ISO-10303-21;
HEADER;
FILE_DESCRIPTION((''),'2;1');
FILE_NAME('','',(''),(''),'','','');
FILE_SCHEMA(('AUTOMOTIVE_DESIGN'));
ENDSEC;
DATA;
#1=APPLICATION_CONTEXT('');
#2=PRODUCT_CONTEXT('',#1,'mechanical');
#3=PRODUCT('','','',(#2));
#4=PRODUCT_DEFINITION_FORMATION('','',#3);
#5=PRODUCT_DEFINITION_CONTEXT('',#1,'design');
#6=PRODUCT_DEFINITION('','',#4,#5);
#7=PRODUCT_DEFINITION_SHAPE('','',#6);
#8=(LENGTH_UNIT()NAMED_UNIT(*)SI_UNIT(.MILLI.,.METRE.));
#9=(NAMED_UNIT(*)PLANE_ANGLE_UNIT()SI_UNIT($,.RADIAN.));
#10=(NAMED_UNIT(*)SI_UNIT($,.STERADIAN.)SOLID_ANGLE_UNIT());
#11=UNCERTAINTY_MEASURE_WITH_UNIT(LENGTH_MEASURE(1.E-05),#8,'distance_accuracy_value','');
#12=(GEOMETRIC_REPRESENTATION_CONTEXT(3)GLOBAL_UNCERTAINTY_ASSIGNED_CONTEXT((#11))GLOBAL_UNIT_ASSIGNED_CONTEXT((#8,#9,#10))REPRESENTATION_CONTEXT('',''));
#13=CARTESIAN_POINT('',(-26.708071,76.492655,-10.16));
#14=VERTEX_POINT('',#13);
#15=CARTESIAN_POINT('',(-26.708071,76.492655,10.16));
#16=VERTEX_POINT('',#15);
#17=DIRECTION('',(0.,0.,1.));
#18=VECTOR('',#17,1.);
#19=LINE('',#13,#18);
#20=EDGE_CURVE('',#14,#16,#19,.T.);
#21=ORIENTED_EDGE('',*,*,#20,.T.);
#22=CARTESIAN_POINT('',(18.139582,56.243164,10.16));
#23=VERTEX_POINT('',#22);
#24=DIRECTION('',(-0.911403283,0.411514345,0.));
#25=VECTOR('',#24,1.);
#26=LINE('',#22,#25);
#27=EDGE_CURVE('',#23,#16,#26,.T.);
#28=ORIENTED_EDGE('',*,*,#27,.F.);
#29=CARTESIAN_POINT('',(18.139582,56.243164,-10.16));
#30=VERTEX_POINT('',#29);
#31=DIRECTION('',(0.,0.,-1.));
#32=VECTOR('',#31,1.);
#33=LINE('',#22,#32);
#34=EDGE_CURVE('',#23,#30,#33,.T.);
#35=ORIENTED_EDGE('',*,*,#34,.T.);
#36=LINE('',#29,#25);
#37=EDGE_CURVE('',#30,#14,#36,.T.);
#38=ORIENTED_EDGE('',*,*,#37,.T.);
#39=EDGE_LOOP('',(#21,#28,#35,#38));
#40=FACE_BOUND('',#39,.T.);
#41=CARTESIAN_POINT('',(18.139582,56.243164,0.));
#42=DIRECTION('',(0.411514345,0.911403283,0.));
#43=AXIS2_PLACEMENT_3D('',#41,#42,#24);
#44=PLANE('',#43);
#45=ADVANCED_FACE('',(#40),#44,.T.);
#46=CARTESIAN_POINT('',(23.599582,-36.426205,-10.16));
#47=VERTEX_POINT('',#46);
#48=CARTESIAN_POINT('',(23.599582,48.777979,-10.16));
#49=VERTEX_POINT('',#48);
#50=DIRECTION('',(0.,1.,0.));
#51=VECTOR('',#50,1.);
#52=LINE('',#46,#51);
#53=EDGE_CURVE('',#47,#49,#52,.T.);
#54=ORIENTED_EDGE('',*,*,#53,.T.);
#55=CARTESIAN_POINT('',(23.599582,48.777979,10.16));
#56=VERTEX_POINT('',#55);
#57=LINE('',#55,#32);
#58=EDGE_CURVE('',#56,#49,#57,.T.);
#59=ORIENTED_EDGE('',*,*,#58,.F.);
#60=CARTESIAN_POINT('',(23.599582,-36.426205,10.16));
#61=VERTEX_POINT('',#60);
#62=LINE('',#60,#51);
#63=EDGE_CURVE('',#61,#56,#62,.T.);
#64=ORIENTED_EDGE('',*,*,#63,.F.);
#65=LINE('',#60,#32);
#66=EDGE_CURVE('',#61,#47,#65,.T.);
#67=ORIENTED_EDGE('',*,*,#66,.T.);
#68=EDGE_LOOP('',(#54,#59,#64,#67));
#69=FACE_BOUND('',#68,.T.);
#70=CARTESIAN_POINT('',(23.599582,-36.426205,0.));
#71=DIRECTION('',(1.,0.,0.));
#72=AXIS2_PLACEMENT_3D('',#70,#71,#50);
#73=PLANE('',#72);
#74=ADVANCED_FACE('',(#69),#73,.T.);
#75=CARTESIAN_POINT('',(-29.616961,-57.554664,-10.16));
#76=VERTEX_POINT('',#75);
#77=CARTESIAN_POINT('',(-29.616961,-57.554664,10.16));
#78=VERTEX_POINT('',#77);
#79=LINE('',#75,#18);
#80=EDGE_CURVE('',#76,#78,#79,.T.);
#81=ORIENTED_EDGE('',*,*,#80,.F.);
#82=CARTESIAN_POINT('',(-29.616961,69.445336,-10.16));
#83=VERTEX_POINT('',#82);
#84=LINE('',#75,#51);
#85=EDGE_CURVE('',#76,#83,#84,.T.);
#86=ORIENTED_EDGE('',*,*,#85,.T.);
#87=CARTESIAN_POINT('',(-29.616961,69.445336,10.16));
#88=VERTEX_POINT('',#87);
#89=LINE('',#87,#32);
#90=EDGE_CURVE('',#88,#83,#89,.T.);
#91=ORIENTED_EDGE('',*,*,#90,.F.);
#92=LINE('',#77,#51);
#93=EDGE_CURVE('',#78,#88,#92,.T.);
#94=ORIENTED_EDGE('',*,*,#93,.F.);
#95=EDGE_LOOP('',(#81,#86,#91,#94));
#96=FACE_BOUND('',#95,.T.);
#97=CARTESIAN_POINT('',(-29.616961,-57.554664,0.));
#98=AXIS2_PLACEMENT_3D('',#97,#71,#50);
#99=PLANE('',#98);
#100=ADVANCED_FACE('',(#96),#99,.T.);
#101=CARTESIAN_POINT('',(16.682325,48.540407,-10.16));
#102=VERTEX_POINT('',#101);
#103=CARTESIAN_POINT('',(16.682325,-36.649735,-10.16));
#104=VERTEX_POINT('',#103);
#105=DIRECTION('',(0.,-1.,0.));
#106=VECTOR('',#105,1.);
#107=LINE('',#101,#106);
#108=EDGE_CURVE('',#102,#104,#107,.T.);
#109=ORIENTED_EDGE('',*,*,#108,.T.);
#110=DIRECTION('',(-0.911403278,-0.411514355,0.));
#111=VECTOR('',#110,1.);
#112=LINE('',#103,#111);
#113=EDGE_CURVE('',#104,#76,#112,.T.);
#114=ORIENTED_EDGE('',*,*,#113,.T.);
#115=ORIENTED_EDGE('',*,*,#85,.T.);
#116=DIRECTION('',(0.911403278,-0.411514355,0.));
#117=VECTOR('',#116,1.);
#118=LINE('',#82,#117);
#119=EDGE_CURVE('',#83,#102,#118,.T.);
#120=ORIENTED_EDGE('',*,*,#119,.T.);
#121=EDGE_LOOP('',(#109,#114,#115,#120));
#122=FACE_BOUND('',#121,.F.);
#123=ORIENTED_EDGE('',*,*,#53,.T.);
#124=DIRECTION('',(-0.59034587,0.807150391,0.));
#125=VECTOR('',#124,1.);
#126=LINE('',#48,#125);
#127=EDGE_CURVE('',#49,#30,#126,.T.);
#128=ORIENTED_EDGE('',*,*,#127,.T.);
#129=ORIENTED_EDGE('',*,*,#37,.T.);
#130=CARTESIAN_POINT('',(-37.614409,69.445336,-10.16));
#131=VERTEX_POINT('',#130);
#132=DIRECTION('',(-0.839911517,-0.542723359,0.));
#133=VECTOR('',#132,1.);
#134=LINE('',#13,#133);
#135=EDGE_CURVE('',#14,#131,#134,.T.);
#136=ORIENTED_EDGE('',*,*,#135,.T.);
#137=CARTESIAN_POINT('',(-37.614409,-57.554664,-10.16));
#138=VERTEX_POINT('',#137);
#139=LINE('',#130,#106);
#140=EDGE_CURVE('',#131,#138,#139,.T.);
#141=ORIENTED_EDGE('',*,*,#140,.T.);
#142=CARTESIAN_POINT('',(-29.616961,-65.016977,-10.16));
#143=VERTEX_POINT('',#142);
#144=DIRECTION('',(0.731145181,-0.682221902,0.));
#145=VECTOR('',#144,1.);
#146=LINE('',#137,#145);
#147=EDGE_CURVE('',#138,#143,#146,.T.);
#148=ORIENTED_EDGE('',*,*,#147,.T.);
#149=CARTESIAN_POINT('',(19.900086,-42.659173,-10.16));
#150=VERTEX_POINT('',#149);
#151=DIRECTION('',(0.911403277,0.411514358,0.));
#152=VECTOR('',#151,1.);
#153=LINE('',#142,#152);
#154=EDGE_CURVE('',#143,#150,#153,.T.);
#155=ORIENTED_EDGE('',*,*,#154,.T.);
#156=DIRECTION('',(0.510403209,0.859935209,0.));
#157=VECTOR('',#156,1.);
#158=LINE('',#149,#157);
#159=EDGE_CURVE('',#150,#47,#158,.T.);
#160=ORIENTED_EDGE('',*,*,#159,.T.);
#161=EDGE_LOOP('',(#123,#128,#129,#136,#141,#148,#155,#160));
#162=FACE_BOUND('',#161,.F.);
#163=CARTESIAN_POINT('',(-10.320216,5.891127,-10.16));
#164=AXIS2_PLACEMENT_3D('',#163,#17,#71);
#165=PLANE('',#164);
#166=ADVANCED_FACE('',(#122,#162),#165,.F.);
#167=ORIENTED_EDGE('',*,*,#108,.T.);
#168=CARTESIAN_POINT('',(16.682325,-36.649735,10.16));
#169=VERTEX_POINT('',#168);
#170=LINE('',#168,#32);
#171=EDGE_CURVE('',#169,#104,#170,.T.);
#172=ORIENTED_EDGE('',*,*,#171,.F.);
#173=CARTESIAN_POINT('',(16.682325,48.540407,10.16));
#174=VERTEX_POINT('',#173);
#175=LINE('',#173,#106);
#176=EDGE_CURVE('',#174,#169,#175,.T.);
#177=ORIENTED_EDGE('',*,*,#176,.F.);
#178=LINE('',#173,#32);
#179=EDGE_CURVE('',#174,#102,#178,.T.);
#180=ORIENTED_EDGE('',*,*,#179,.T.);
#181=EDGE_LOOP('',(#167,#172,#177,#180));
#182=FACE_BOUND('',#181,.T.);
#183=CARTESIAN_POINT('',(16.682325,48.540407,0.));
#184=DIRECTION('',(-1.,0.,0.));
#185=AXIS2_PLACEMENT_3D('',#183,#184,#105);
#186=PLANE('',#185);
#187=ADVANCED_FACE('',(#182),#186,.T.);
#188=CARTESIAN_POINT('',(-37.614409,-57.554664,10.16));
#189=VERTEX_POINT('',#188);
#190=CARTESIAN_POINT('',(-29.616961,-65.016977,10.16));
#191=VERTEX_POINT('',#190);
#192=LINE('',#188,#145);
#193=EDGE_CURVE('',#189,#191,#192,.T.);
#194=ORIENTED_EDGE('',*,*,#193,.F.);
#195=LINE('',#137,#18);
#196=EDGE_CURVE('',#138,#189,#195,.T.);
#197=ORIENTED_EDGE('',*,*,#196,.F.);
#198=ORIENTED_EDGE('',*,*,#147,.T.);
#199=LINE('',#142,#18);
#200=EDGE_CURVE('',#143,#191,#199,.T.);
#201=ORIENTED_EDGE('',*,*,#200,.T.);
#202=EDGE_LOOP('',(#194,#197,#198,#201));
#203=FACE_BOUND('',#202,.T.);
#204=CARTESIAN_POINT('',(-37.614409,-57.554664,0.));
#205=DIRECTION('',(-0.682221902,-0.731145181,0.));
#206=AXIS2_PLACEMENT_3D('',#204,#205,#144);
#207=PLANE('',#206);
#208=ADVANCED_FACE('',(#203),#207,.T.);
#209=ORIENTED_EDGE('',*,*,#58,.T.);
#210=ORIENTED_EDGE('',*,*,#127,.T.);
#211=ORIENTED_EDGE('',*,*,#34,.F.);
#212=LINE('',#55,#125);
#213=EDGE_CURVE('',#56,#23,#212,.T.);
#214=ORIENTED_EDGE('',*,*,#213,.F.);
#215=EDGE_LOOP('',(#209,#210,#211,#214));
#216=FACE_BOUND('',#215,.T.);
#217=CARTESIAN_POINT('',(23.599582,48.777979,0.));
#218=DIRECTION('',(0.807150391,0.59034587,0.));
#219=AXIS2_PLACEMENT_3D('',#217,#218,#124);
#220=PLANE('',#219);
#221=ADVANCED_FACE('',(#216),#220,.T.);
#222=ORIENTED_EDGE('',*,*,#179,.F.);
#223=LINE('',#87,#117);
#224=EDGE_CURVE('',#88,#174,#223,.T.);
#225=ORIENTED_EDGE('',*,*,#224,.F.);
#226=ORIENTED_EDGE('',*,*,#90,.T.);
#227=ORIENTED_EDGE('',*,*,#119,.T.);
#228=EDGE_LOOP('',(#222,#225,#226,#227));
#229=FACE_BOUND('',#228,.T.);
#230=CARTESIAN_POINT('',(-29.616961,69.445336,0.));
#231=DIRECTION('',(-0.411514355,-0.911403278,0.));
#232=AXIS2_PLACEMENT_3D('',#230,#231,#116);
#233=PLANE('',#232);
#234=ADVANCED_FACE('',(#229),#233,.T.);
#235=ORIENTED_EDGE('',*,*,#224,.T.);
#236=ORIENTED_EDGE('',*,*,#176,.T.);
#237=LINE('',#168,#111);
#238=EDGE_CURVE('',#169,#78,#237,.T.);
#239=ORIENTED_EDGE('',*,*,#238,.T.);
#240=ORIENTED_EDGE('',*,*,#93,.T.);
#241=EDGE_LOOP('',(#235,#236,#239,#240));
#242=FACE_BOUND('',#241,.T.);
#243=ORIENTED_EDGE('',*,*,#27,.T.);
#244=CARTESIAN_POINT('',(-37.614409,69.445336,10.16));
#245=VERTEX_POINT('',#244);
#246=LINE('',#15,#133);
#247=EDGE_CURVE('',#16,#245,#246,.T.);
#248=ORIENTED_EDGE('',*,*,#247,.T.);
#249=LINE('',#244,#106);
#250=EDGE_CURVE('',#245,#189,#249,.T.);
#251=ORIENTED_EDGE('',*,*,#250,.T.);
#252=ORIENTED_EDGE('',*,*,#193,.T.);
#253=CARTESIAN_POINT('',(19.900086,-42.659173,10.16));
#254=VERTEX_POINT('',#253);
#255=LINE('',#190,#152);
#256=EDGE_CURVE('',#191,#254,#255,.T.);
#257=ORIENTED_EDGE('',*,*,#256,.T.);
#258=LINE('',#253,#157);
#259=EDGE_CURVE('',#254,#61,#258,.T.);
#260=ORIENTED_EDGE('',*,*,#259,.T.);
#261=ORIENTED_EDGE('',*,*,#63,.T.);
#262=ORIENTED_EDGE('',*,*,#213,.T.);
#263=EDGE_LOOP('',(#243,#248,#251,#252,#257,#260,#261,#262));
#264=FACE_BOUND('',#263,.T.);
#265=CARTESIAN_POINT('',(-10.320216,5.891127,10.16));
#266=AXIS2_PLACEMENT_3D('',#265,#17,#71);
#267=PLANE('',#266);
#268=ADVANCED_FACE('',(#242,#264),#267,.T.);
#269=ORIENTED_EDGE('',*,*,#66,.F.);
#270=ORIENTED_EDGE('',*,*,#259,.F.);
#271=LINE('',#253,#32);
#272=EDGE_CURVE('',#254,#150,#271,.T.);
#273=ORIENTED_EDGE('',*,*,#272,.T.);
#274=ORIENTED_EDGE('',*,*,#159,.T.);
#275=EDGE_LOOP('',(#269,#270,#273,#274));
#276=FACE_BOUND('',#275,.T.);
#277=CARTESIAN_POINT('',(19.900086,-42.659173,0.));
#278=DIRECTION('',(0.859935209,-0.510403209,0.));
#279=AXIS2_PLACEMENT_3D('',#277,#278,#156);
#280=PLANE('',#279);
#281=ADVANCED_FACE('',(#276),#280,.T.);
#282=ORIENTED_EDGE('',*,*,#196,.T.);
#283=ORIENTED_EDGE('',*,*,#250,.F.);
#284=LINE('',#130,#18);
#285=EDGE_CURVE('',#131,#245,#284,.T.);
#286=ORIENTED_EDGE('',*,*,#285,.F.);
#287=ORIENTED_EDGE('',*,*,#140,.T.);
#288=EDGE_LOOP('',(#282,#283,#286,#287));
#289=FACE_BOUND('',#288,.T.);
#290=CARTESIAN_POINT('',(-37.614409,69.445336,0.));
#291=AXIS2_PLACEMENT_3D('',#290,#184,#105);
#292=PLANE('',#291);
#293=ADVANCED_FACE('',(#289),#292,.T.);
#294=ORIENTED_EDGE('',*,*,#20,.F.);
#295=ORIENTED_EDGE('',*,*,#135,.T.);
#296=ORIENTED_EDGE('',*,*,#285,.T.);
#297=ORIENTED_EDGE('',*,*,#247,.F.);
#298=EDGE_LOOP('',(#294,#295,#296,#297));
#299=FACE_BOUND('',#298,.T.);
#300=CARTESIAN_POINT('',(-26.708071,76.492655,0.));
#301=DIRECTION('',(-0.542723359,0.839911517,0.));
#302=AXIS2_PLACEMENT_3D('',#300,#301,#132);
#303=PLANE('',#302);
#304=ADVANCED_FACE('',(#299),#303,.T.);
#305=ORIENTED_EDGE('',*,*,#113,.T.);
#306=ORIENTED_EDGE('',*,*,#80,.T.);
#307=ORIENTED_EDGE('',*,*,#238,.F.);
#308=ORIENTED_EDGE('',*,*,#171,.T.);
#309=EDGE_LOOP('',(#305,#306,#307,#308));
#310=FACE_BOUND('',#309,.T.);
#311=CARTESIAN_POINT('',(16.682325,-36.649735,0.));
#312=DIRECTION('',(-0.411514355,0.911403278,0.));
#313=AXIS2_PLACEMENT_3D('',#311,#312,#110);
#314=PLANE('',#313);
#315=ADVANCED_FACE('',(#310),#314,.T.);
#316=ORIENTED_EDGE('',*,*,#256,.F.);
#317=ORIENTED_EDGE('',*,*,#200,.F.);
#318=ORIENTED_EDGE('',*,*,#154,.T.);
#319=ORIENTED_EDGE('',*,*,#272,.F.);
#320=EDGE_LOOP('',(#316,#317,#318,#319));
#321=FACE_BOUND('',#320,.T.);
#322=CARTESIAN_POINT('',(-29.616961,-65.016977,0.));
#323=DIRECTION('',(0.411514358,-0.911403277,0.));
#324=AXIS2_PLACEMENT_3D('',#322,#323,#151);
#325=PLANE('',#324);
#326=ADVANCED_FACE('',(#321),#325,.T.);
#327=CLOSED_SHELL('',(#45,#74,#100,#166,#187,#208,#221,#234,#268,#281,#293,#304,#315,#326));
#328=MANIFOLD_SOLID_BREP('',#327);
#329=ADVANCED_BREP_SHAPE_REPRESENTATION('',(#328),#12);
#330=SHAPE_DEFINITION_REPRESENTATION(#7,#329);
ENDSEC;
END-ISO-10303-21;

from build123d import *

# Parameters (mm, degrees)
F1_DEPTH = 10.16


with BuildPart() as f1:
    # F0 (on Top) → F1 (new body, symmetric)
    with BuildSketch(Plane.XY):
        Polygon((18.139582, 56.243164), (-26.708071, 76.492655), (-37.614409, 69.445336), (-37.614409, -57.554664), (-29.616961, -65.016977), (19.900086, -42.659173), (23.599582, -36.426205), (23.599582, 48.777979), align=None)
        Polygon((-29.616961, -57.554664), (-29.616961, 69.445336), (16.682325, 48.540407), (16.682325, -36.649735), align=None, mode=Mode.SUBTRACT)
    extrude(amount=F1_DEPTH, both=True)


solid = f1.part
